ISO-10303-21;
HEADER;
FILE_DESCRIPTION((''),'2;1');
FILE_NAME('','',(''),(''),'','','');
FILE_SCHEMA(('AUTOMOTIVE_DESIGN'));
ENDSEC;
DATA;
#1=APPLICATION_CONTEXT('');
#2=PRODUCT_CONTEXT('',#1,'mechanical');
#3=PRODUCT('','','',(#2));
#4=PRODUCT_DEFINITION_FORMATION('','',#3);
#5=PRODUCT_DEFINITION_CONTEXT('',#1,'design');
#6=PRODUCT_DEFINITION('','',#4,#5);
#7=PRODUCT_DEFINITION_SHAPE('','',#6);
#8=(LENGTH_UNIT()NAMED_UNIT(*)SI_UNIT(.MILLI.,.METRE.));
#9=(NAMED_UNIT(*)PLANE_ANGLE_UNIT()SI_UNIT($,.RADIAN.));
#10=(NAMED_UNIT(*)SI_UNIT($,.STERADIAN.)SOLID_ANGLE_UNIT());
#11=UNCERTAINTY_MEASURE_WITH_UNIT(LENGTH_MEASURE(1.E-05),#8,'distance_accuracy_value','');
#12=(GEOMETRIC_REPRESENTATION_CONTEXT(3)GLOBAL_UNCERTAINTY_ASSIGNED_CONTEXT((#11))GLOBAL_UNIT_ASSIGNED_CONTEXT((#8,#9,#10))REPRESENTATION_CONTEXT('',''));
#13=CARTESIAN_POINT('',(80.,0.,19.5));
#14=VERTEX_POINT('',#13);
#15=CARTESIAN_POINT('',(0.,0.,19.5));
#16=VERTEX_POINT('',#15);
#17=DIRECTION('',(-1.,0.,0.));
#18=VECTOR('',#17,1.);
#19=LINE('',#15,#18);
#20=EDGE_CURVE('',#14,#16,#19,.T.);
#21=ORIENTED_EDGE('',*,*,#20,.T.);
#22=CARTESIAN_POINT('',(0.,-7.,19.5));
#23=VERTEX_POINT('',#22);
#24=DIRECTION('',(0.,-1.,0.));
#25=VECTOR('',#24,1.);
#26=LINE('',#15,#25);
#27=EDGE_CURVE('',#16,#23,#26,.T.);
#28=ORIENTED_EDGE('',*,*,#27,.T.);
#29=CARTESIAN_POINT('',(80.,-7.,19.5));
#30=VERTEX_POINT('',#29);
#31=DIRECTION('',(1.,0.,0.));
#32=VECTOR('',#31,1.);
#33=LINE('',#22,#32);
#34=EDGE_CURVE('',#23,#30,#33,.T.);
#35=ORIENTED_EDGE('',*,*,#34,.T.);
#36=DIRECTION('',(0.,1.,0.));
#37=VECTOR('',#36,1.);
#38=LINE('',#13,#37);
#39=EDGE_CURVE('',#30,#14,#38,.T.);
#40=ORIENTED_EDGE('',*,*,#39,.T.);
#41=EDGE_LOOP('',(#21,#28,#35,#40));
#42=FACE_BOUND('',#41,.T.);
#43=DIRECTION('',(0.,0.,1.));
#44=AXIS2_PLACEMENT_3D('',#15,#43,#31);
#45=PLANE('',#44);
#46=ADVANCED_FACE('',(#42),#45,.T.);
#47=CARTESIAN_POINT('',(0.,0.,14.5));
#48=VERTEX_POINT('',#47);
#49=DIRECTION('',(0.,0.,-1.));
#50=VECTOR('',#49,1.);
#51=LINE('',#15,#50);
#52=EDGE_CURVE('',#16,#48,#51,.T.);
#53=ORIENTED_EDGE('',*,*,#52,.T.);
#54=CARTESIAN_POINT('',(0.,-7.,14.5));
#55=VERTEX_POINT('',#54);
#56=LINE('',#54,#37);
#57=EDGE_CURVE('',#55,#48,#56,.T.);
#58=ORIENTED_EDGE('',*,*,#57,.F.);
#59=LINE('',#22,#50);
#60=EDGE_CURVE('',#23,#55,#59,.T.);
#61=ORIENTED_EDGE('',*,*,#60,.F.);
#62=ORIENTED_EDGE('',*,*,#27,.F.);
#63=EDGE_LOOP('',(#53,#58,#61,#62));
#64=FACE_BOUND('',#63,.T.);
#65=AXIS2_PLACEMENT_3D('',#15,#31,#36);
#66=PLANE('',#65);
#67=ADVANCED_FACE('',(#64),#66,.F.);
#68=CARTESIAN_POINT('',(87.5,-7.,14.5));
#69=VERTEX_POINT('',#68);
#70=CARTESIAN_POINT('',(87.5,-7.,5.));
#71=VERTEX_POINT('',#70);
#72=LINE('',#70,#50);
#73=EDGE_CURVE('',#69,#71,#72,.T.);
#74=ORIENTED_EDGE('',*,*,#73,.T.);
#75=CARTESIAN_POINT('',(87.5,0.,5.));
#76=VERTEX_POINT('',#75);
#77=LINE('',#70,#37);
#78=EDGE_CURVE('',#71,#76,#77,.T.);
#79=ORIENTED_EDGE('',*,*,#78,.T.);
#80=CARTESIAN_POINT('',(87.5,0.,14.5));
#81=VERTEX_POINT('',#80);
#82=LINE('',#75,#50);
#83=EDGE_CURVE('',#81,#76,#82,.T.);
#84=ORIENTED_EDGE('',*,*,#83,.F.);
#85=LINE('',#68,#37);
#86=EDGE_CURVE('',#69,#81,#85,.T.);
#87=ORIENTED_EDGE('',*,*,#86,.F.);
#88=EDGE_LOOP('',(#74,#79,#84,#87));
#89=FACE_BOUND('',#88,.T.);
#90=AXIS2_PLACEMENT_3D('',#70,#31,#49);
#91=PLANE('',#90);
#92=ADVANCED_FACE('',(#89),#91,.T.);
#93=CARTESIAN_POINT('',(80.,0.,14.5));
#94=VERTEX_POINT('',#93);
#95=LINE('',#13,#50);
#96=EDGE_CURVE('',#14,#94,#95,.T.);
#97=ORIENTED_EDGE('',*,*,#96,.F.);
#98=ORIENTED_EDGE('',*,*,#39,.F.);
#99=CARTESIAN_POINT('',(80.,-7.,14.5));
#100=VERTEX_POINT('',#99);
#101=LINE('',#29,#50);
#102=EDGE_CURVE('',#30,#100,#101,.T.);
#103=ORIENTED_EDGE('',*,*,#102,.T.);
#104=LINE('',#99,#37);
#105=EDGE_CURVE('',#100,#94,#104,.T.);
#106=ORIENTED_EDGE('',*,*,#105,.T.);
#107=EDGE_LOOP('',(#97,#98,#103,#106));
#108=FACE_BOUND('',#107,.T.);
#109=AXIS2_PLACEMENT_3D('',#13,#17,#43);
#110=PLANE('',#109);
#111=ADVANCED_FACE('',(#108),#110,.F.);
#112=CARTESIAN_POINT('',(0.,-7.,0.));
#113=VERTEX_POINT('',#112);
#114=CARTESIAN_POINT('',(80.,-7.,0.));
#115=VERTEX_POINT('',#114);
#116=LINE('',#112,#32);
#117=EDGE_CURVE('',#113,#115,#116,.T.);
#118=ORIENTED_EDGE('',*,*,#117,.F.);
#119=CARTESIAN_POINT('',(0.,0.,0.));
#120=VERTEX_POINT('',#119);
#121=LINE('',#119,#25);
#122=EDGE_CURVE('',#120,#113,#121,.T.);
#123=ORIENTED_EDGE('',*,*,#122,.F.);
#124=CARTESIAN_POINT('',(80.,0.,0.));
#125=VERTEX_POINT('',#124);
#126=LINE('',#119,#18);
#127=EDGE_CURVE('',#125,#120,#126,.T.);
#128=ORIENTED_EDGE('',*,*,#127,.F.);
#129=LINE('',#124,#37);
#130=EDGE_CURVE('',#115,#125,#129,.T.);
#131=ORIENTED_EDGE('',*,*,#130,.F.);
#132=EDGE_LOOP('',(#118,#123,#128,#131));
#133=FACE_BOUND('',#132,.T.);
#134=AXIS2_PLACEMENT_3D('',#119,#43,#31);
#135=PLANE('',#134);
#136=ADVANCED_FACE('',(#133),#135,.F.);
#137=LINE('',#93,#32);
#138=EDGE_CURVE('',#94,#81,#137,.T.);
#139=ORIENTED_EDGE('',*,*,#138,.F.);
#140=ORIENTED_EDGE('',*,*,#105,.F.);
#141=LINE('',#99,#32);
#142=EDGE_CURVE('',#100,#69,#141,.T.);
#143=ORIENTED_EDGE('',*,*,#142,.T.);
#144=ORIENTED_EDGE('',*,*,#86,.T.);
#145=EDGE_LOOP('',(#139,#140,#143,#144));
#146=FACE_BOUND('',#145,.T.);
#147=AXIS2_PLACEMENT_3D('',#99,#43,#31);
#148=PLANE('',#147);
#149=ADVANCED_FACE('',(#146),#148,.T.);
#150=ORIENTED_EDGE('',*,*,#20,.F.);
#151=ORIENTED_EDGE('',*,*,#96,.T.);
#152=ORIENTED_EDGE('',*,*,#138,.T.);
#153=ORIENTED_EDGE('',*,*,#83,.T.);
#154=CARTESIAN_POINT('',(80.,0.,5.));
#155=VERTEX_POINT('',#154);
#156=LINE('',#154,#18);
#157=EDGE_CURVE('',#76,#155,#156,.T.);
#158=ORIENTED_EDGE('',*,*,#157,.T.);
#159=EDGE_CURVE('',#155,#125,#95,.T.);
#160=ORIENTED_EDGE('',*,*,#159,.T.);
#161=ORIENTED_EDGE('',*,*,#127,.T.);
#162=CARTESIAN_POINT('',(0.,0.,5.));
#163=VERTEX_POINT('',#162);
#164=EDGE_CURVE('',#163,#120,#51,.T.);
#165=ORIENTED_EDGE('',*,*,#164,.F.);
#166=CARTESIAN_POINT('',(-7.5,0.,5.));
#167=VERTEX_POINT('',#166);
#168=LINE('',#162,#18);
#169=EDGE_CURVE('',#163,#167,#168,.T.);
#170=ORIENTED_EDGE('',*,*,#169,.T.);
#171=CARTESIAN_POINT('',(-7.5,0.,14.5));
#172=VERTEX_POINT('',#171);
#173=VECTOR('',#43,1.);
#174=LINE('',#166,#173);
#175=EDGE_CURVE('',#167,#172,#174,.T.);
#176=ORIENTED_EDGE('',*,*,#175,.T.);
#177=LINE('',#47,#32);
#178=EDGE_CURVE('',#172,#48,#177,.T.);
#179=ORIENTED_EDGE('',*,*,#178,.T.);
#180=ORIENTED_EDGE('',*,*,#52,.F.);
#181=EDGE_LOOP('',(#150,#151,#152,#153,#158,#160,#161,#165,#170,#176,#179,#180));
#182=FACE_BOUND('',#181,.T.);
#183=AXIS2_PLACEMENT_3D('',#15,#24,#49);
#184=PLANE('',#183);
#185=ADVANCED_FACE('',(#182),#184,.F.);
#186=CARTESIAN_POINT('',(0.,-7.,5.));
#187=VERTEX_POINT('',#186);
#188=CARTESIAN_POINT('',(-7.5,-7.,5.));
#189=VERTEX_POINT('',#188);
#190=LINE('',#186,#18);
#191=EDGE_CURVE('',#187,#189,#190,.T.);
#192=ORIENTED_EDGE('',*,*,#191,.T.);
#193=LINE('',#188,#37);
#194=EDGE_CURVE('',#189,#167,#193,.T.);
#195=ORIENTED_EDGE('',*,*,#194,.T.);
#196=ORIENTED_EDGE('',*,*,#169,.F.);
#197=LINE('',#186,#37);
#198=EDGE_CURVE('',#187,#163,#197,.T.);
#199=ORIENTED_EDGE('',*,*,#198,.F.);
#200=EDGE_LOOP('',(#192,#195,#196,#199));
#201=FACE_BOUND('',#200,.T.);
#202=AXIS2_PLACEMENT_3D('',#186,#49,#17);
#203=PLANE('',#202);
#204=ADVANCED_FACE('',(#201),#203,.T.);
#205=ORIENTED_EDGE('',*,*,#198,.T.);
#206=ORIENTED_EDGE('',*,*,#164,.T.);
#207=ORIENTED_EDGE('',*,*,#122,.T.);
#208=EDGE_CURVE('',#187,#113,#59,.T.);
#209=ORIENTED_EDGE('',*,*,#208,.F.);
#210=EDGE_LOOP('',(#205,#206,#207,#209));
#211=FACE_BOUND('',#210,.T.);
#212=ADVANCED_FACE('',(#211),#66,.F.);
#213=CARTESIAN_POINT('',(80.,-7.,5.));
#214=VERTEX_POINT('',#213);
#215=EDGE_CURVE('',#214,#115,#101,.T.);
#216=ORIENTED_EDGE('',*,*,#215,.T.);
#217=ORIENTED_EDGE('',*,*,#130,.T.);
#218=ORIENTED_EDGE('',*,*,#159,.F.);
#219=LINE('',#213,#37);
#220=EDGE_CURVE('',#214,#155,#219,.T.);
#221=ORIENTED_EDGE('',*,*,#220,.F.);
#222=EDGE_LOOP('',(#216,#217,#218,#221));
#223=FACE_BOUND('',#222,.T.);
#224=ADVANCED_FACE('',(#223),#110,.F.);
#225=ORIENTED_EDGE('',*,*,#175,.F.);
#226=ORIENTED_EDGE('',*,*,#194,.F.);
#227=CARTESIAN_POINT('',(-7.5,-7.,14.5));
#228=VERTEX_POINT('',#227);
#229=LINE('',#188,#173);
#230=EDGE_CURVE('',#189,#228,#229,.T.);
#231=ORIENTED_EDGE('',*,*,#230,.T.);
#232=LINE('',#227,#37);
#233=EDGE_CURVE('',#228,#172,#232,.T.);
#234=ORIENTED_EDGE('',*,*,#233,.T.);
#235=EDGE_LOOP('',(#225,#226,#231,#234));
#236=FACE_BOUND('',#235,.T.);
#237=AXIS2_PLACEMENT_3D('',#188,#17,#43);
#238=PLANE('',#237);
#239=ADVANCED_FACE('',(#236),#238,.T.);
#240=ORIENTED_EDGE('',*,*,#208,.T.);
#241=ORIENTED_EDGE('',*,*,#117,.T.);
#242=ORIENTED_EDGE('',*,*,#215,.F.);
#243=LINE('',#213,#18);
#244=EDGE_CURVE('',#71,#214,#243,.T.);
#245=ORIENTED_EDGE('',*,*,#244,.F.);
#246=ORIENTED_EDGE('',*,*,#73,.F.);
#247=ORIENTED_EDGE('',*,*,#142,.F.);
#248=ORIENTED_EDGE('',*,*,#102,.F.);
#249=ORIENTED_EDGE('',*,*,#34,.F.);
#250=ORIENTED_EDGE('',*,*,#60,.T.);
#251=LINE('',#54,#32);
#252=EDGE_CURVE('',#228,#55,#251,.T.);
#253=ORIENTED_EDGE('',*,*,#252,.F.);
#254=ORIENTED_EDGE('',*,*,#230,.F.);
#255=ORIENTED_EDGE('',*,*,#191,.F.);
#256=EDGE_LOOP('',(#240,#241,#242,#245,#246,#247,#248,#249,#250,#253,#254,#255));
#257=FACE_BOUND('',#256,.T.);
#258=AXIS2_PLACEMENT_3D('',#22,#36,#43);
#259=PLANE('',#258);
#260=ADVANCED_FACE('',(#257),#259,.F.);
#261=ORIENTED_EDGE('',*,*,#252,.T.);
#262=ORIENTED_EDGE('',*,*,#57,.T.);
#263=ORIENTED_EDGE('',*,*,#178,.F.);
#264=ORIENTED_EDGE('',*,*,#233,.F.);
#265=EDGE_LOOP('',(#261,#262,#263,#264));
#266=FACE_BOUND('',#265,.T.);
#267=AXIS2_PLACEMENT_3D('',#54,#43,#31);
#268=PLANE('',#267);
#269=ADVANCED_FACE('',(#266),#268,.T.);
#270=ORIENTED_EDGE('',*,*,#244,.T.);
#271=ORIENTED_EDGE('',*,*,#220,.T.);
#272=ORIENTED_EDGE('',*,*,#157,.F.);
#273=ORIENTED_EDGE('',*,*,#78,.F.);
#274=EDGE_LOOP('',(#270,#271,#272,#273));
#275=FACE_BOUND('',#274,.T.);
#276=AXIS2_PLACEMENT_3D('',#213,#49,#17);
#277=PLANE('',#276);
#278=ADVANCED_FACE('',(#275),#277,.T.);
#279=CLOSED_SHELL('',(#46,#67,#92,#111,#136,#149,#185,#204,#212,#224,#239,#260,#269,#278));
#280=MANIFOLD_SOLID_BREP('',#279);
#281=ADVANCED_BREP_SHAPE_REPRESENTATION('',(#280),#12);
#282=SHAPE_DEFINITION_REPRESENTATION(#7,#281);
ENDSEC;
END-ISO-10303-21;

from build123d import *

# Parameters (mm, degrees)
SKETCH2_W           = 80
SKETCH2_H           = 7
BOSS_EXTRUDE1_DEPTH = 19.5
SKETCH3_W           = 7.5
SKETCH3_H           = 9.5
BOSS_EXTRUDE2_DEPTH = 7


with BuildPart() as part:
    # Sketch2 → Boss-Extrude1 (new body)
    with BuildSketch(Plane.XY):
        with Locations((40, -3.5)):
            Rectangle(SKETCH2_W, SKETCH2_H)
    extrude(amount=BOSS_EXTRUDE1_DEPTH)

    # Sketch3 → Boss-Extrude2 (add)
    with BuildSketch(Plane(origin=(0, 0, 0), x_dir=(1, 0, 0), z_dir=(0, 1, 0))):
        with Locations((-3.75, -9.75)):
            Rectangle(SKETCH3_W, SKETCH3_H)
        with Locations((83.75, -9.75)):
            Rectangle(SKETCH3_W, SKETCH3_H)
    extrude(amount=-BOSS_EXTRUDE2_DEPTH)


solid = part.part
